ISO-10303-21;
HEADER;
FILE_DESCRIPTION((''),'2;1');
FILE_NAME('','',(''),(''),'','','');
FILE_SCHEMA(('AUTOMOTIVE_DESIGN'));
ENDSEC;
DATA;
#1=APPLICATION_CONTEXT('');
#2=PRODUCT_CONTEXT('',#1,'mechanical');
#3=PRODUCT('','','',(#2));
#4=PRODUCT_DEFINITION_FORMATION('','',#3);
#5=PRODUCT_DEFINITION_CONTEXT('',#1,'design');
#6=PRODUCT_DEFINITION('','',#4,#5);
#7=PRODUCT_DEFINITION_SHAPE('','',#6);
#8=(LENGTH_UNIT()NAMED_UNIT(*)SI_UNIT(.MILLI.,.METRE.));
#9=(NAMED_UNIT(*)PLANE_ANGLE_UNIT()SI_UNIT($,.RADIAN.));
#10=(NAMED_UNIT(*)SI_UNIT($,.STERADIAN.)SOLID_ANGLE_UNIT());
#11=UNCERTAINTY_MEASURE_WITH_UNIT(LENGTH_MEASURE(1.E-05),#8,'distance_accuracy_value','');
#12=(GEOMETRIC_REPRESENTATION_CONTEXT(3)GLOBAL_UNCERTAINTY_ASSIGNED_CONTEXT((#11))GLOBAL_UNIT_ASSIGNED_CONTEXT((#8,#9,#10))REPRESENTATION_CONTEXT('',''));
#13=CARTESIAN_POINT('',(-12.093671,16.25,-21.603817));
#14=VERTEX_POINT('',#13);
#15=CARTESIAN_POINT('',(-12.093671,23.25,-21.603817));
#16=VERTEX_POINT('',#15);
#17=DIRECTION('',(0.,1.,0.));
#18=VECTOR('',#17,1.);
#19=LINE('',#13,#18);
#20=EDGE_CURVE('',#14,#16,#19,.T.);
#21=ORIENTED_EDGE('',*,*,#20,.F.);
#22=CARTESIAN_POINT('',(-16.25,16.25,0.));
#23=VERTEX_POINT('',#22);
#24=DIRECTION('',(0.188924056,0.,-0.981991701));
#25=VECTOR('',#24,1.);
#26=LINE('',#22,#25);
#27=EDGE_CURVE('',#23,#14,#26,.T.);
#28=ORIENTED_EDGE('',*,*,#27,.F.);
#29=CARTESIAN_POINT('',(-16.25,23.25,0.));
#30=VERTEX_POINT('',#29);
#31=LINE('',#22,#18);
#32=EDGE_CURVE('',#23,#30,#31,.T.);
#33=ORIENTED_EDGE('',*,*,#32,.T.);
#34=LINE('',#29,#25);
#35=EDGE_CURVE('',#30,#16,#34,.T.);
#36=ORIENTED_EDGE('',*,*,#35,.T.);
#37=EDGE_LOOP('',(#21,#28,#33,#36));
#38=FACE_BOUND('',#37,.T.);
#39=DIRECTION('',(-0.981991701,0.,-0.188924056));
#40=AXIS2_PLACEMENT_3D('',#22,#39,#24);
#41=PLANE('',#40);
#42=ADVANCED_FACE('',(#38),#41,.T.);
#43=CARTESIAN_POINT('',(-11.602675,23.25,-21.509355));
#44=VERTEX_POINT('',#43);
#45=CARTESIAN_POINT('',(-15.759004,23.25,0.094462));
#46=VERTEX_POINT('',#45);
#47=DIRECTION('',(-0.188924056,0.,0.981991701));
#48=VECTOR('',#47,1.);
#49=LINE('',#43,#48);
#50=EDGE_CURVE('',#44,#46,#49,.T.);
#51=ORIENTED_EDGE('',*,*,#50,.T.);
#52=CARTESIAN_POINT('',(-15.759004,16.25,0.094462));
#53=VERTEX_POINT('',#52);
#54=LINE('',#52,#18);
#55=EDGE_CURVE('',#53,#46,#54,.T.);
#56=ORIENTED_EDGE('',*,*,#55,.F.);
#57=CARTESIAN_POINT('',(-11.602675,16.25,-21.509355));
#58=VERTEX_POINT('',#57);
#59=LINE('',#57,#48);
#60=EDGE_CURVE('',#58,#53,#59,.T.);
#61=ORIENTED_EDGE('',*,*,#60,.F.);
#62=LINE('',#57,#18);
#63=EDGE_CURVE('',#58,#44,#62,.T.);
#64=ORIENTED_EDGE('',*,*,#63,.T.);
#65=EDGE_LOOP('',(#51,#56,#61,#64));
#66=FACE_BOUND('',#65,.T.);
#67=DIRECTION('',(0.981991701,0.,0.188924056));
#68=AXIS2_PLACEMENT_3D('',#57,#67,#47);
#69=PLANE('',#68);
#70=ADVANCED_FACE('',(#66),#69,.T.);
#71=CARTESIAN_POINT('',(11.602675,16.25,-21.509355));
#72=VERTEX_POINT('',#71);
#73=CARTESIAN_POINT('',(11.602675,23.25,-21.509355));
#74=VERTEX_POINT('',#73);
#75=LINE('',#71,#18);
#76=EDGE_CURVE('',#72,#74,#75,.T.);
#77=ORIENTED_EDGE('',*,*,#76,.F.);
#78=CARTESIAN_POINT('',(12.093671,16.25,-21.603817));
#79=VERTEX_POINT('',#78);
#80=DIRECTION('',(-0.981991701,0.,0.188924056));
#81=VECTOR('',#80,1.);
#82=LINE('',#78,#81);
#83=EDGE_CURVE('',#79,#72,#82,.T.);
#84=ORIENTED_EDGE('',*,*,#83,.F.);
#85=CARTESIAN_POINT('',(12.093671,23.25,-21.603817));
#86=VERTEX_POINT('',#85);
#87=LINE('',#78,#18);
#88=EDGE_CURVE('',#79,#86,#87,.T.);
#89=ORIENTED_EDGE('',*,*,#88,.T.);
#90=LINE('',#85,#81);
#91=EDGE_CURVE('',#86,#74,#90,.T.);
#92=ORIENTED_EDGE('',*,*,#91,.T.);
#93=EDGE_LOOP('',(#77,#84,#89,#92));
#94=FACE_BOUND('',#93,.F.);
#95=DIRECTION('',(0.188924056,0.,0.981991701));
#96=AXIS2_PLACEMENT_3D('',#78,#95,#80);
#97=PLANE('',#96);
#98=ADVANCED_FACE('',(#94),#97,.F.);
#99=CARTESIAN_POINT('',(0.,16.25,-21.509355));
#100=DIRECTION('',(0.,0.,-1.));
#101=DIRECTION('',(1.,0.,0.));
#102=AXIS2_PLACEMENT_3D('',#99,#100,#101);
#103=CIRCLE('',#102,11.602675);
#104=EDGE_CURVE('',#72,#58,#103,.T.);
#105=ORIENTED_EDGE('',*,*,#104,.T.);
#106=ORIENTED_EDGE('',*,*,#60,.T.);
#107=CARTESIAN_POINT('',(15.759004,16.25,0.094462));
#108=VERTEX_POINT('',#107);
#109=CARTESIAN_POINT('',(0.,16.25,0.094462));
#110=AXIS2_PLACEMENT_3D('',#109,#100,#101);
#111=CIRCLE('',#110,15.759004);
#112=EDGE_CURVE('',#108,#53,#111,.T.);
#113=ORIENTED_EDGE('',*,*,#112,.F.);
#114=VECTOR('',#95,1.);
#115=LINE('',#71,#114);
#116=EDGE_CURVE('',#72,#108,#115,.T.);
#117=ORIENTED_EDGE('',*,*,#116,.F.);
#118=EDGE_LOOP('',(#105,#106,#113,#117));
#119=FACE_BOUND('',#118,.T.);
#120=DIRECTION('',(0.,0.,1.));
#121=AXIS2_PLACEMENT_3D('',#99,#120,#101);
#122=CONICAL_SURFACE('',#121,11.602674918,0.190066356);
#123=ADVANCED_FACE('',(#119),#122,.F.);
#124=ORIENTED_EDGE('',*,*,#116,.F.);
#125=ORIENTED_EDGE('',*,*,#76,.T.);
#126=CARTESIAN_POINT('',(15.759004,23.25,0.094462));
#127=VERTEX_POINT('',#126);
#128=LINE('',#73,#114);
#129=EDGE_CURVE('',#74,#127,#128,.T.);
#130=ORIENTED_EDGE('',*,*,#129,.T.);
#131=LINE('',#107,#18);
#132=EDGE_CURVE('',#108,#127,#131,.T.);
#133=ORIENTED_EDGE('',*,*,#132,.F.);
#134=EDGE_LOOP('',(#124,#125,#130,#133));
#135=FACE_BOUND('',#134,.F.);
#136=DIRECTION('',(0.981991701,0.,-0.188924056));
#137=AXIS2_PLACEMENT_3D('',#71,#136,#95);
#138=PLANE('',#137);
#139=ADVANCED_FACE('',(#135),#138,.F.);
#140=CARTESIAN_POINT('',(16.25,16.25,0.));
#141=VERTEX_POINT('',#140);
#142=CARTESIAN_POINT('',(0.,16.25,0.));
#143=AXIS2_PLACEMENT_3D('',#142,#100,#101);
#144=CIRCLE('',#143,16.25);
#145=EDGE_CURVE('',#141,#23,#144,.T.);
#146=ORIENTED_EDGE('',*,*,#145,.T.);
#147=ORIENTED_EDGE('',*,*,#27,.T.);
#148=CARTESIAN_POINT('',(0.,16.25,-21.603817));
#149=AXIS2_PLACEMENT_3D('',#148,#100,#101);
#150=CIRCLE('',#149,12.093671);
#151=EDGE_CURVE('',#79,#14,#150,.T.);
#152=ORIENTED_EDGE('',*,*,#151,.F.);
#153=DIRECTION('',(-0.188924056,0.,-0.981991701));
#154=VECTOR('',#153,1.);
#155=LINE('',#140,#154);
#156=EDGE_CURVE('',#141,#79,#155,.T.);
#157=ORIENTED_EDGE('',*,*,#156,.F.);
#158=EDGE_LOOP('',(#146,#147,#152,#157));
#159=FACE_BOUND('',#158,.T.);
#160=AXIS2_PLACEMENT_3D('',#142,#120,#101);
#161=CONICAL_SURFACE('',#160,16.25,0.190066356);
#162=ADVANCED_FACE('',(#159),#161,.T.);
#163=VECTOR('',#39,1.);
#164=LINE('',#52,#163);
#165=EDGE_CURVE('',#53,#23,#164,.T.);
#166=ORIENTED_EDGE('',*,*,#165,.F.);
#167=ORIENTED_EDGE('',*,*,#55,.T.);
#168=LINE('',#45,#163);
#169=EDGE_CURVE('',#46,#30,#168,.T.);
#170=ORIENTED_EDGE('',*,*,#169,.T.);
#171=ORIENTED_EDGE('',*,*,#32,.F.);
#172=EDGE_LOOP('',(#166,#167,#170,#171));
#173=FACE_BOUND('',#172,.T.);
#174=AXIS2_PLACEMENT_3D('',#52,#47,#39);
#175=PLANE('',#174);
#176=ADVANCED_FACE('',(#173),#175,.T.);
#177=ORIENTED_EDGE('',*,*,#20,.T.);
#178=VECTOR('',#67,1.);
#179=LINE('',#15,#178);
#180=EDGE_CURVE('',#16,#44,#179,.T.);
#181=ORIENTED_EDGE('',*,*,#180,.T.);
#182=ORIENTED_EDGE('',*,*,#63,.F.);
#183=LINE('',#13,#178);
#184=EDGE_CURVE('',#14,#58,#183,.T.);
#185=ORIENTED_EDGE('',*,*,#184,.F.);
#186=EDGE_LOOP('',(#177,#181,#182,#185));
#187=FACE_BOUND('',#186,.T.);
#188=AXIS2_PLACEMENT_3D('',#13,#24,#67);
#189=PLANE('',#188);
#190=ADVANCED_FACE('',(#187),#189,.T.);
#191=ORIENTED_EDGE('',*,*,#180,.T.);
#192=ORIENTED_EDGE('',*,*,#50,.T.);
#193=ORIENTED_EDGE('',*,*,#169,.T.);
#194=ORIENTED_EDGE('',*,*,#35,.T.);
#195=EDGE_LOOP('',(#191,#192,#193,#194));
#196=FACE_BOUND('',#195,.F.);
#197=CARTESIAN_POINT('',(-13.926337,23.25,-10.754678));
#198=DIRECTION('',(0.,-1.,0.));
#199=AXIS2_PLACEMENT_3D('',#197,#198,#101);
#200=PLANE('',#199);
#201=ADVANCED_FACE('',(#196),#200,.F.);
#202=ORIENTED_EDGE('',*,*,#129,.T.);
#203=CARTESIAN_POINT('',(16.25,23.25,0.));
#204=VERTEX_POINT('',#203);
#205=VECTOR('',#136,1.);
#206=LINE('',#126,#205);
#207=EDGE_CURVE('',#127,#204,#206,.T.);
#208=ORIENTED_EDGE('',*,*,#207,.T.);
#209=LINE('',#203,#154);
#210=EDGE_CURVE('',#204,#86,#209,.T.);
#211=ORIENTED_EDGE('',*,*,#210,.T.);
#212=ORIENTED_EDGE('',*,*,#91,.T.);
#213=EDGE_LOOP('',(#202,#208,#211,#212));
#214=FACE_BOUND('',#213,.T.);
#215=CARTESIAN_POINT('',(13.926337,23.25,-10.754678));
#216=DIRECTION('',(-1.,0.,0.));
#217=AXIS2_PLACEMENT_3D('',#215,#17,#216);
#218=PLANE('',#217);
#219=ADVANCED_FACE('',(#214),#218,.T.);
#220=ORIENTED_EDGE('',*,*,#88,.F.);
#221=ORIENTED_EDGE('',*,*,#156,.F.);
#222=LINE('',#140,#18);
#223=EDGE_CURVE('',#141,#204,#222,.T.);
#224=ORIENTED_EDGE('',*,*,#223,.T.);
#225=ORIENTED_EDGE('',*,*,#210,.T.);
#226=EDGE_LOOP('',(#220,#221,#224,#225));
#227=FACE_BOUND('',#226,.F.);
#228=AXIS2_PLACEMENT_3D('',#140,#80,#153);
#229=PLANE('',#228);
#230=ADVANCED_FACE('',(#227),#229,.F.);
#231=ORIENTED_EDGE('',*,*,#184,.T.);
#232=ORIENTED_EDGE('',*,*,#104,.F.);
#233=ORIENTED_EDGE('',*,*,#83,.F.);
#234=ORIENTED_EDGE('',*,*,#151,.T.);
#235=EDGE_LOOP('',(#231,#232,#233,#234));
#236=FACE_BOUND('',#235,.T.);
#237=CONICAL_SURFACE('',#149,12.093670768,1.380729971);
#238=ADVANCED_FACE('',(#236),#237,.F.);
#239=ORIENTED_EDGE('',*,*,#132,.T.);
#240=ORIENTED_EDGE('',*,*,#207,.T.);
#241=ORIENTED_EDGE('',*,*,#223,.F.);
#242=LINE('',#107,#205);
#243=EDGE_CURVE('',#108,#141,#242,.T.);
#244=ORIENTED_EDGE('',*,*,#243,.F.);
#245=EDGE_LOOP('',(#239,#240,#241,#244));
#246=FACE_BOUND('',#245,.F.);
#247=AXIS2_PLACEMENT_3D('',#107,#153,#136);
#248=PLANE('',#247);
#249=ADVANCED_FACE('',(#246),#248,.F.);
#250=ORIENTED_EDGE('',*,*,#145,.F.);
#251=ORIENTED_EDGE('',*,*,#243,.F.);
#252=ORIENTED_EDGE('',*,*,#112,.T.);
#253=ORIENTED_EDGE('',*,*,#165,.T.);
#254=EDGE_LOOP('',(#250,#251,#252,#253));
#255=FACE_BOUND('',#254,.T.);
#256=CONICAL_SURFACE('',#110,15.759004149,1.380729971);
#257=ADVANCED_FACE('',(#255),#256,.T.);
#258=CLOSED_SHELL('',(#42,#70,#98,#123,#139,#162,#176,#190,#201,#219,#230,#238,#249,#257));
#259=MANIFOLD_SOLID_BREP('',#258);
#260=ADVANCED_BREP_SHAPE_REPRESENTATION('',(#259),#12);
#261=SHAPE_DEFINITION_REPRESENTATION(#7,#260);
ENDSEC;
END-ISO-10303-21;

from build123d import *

# Parameters (mm, degrees)
F1_ANGLE_BACK = 90
F1_ANGLE      = 180
F3_DEPTH      = 7


with BuildPart() as f1:
    # F0 (on Right) → F1 (revolve)
    with BuildSketch(Plane.YZ, mode=Mode.PRIVATE) as f1_sk:
        Polygon((0.4909958506, 0.094462028), (0, 0), (4.1563292317, -21.6038174247), (4.6473250822, -21.5093553967), align=None)
    revolve(f1_sk.sketch.rotate(Axis((0, 16.25, -7.0485672913), (0, 0, -1)), -F1_ANGLE_BACK), axis=Axis((0, 16.25, -7.0485672913), (0, 0, -1)), revolution_arc=F1_ANGLE)

    # F3 (add): faces of the model
    f3_faces = [f1.faces().sort_by_distance(p)[0] for p in [
        (13.9263374589, 16.25, -10.7546776983),
        (-13.9263374589, 16.25, -10.7546776983),
    ]]
    extrude(f3_faces, amount=F3_DEPTH)


solid = f1.part
